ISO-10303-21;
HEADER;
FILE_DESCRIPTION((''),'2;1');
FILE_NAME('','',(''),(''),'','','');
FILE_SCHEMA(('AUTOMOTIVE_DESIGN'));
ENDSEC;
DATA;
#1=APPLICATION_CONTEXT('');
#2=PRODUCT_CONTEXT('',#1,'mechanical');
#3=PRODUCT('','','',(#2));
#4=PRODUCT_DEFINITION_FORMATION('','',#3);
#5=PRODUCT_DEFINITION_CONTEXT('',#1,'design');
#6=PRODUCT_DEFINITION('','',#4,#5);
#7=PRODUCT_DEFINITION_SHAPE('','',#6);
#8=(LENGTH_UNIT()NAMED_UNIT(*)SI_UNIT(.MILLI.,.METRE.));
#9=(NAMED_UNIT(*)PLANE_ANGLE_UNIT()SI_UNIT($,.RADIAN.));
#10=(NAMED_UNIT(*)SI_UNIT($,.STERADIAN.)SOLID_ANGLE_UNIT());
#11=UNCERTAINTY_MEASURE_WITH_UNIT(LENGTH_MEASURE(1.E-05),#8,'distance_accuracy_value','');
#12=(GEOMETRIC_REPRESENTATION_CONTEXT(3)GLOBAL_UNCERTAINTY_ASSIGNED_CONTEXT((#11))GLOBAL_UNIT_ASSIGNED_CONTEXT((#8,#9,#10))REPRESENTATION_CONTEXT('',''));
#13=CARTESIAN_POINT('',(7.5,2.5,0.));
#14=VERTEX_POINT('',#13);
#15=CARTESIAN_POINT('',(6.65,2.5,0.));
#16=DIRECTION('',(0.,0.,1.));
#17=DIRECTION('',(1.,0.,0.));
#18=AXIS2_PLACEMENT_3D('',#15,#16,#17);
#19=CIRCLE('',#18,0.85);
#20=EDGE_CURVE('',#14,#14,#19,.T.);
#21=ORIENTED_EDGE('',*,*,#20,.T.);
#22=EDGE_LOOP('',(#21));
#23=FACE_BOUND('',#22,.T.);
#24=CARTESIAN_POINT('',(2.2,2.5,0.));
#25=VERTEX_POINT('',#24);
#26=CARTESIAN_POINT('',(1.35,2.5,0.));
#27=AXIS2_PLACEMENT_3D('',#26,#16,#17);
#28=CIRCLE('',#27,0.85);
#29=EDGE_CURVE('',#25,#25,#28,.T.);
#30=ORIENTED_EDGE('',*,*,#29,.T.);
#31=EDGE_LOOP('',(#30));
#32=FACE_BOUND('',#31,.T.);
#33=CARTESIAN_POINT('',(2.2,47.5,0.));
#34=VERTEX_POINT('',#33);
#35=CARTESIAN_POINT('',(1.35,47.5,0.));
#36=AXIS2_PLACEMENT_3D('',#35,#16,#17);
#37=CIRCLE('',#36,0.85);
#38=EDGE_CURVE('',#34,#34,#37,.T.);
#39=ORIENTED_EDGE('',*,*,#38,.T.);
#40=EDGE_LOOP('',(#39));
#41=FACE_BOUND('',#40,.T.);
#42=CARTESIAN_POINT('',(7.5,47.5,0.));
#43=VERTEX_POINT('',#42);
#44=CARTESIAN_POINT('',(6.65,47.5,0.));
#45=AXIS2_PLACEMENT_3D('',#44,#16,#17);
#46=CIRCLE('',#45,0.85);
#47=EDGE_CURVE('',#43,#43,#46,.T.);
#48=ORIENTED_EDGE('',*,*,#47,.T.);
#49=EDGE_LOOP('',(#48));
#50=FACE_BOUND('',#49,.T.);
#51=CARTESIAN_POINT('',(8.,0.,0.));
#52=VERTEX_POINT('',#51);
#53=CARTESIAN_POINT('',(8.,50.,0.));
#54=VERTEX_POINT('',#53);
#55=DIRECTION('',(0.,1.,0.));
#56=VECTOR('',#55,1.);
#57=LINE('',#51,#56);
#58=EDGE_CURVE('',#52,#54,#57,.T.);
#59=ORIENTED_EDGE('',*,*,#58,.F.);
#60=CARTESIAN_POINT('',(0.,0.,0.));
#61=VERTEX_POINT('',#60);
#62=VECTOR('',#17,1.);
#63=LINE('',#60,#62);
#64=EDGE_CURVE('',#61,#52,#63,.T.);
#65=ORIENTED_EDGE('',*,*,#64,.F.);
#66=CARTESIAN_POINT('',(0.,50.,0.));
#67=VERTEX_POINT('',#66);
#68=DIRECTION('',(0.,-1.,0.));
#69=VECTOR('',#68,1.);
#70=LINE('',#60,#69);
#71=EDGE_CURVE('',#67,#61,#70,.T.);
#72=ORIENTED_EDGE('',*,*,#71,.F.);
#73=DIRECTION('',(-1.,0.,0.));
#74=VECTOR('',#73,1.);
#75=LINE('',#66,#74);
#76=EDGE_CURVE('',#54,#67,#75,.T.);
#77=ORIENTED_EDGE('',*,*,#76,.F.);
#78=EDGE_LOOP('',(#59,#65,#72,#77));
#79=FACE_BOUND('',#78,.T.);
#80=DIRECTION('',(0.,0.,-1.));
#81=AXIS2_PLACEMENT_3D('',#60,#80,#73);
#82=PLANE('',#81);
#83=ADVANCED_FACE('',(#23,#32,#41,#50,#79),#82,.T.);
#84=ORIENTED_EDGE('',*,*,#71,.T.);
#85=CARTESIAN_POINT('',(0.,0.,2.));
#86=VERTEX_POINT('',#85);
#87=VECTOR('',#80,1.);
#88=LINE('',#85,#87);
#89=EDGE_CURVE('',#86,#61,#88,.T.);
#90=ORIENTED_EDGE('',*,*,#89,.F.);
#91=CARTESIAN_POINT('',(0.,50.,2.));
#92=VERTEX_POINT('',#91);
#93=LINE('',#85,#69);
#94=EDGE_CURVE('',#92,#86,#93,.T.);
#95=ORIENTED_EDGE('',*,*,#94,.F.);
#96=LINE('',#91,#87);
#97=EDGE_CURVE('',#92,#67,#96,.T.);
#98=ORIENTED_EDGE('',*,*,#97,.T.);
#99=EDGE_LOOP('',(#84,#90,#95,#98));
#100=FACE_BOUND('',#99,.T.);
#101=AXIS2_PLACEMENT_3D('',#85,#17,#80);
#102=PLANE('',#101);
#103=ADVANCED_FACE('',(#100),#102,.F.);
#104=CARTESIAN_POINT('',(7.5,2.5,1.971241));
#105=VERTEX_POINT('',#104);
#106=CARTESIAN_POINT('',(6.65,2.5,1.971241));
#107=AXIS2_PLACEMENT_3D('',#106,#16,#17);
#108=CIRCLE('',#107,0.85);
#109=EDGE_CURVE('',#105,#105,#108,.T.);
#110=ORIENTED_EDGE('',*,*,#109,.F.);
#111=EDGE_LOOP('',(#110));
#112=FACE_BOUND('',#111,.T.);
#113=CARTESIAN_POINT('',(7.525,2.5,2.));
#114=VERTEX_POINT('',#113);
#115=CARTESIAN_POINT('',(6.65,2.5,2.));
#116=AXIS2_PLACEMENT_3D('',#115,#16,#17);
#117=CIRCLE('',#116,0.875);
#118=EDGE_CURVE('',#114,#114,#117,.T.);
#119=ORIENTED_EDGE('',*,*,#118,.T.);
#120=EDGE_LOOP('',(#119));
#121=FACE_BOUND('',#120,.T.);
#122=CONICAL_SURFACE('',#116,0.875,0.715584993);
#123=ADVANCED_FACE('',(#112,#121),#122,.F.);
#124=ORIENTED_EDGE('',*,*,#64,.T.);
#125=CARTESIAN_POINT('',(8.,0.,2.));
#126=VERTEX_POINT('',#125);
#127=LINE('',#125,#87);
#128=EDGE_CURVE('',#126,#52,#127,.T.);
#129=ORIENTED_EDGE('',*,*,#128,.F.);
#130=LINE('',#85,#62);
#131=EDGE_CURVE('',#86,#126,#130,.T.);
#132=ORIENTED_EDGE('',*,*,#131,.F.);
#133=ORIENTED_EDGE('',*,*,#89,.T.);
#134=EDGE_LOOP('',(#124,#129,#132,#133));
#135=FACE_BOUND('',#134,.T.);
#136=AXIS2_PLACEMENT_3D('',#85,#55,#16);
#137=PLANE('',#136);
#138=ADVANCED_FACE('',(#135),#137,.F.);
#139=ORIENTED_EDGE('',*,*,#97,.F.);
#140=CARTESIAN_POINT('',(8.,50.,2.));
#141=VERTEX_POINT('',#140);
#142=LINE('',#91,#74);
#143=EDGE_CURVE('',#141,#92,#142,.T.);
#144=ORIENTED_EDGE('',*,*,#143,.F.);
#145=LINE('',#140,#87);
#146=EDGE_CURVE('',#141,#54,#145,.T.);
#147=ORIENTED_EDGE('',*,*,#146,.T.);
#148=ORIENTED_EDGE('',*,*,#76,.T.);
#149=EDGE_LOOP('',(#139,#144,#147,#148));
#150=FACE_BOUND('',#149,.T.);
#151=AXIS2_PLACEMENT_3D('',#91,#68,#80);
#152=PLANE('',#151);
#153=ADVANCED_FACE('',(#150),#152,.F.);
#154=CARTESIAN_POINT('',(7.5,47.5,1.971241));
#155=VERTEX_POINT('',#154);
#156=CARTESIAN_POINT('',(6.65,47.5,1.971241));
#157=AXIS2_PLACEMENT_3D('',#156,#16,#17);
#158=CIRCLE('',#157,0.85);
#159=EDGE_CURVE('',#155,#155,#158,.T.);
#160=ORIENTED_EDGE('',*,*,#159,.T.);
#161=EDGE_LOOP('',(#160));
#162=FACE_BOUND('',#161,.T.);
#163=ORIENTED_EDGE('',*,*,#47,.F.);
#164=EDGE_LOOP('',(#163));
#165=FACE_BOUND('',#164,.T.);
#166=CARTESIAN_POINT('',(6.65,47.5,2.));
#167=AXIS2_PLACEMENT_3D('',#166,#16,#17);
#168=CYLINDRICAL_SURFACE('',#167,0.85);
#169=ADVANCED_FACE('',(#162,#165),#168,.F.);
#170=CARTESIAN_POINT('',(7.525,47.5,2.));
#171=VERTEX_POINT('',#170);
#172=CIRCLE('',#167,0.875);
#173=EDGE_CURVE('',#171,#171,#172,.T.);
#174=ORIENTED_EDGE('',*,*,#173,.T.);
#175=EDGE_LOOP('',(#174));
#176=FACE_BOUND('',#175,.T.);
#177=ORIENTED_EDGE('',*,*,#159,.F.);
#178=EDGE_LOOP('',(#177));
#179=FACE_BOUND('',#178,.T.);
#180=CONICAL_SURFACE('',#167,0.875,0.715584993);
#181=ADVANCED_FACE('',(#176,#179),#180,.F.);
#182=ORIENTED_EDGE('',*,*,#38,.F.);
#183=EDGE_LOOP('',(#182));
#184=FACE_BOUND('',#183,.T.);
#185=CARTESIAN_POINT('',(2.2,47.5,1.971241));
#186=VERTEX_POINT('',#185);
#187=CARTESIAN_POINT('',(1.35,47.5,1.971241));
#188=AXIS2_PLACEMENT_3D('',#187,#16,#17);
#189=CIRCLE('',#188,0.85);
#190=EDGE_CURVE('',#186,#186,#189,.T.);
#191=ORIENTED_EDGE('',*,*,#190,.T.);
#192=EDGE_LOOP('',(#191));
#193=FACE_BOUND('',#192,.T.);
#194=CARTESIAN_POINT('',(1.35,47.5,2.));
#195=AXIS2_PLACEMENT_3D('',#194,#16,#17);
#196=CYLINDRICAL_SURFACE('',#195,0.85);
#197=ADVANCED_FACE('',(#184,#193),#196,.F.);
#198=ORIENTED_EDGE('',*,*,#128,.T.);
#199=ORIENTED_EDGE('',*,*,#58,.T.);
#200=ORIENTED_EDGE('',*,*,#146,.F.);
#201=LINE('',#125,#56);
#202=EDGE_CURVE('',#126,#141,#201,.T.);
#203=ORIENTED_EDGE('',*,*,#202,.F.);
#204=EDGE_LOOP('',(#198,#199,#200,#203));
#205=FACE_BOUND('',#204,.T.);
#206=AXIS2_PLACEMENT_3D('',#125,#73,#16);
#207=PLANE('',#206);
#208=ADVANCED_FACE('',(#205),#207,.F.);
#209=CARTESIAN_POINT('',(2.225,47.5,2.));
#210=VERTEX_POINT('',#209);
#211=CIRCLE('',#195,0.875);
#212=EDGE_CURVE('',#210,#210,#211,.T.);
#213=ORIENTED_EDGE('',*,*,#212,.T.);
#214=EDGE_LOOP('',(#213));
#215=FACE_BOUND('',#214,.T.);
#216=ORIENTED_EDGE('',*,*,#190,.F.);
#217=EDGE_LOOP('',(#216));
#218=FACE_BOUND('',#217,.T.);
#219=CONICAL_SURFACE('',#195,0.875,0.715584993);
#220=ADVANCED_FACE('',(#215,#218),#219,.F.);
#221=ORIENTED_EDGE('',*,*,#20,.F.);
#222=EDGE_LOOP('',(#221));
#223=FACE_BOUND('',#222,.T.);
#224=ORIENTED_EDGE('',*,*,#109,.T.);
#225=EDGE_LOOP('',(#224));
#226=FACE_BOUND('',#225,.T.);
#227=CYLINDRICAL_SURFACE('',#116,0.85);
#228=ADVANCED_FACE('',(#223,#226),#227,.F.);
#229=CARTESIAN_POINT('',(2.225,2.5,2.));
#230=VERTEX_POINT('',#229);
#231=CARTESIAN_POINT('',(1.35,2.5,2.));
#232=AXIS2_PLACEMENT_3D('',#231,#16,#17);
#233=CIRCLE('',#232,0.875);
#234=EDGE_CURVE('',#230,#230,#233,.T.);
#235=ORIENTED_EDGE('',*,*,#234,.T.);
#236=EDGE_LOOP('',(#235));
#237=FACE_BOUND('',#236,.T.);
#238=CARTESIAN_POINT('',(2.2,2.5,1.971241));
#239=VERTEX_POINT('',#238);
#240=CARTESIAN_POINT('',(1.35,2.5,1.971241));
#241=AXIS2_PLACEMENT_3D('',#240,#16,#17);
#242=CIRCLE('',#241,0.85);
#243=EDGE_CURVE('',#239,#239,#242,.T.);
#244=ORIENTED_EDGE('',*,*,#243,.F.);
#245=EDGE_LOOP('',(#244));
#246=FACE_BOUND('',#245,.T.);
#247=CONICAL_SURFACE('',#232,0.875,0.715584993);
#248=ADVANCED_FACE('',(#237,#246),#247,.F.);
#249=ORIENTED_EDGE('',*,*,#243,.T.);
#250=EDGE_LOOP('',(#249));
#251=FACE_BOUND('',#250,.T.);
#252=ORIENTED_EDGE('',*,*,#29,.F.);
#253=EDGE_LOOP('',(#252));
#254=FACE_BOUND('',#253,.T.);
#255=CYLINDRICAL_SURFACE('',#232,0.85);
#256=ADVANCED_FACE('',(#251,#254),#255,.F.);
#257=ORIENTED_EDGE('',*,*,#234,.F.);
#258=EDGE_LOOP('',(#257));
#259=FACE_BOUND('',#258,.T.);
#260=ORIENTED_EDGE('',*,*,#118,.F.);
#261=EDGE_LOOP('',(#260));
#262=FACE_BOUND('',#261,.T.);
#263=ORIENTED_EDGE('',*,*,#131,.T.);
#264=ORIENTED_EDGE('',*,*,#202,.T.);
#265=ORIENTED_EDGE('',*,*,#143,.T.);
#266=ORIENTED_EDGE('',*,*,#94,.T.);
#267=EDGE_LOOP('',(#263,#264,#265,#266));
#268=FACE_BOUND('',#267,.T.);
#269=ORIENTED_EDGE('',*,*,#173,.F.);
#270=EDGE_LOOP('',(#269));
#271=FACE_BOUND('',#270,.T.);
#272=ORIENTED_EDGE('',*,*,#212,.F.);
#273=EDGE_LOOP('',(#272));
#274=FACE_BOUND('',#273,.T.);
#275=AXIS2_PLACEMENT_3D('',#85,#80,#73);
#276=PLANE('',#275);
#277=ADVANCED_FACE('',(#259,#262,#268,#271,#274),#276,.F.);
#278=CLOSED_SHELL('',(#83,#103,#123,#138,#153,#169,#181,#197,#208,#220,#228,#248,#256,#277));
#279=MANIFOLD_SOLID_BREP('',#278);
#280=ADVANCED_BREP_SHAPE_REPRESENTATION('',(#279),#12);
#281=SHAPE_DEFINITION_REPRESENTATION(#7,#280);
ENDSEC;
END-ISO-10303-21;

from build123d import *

# Parameters (mm, degrees)
CROQUIS1_W                               = 8
CROQUIS1_H                               = 50
SALIENTE_EXTRUIR1_DEPTH                  = 2
TALADRO_DE_MARGEN_PARA_M1_61_D           = 1.7
TALADRO_DE_MARGEN_PARA_M1_61_CSINK_D     = 1.75
TALADRO_DE_MARGEN_PARA_M1_61_CSINK_ANGLE = 82
TALADRO_DE_MARGEN_PARA_M1_62_D           = 1.7
TALADRO_DE_MARGEN_PARA_M1_62_CSINK_D     = 1.75
TALADRO_DE_MARGEN_PARA_M1_62_CSINK_ANGLE = 82


with BuildPart() as part:
    # Croquis1 → Saliente-Extruir1 (new body)
    with BuildSketch(Plane.XY):
        with Locations((4, 25)):
            Rectangle(CROQUIS1_W, CROQUIS1_H)
    extrude(amount=SALIENTE_EXTRUIR1_DEPTH)

    # Taladro de margen para M1.61 (through all)
    with Locations(Plane.XY.offset(2)):
        with Locations((1.35, 47.5), (6.65, 47.5)):
            CounterSinkHole(TALADRO_DE_MARGEN_PARA_M1_61_D / 2, TALADRO_DE_MARGEN_PARA_M1_61_CSINK_D / 2, counter_sink_angle=TALADRO_DE_MARGEN_PARA_M1_61_CSINK_ANGLE)

    # Taladro de margen para M1.62 (through all)
    with Locations(Plane.XY.offset(2)):
        with Locations((1.35, 2.5), (6.65, 2.5)):
            CounterSinkHole(TALADRO_DE_MARGEN_PARA_M1_62_D / 2, TALADRO_DE_MARGEN_PARA_M1_62_CSINK_D / 2, counter_sink_angle=TALADRO_DE_MARGEN_PARA_M1_62_CSINK_ANGLE)


solid = part.part
